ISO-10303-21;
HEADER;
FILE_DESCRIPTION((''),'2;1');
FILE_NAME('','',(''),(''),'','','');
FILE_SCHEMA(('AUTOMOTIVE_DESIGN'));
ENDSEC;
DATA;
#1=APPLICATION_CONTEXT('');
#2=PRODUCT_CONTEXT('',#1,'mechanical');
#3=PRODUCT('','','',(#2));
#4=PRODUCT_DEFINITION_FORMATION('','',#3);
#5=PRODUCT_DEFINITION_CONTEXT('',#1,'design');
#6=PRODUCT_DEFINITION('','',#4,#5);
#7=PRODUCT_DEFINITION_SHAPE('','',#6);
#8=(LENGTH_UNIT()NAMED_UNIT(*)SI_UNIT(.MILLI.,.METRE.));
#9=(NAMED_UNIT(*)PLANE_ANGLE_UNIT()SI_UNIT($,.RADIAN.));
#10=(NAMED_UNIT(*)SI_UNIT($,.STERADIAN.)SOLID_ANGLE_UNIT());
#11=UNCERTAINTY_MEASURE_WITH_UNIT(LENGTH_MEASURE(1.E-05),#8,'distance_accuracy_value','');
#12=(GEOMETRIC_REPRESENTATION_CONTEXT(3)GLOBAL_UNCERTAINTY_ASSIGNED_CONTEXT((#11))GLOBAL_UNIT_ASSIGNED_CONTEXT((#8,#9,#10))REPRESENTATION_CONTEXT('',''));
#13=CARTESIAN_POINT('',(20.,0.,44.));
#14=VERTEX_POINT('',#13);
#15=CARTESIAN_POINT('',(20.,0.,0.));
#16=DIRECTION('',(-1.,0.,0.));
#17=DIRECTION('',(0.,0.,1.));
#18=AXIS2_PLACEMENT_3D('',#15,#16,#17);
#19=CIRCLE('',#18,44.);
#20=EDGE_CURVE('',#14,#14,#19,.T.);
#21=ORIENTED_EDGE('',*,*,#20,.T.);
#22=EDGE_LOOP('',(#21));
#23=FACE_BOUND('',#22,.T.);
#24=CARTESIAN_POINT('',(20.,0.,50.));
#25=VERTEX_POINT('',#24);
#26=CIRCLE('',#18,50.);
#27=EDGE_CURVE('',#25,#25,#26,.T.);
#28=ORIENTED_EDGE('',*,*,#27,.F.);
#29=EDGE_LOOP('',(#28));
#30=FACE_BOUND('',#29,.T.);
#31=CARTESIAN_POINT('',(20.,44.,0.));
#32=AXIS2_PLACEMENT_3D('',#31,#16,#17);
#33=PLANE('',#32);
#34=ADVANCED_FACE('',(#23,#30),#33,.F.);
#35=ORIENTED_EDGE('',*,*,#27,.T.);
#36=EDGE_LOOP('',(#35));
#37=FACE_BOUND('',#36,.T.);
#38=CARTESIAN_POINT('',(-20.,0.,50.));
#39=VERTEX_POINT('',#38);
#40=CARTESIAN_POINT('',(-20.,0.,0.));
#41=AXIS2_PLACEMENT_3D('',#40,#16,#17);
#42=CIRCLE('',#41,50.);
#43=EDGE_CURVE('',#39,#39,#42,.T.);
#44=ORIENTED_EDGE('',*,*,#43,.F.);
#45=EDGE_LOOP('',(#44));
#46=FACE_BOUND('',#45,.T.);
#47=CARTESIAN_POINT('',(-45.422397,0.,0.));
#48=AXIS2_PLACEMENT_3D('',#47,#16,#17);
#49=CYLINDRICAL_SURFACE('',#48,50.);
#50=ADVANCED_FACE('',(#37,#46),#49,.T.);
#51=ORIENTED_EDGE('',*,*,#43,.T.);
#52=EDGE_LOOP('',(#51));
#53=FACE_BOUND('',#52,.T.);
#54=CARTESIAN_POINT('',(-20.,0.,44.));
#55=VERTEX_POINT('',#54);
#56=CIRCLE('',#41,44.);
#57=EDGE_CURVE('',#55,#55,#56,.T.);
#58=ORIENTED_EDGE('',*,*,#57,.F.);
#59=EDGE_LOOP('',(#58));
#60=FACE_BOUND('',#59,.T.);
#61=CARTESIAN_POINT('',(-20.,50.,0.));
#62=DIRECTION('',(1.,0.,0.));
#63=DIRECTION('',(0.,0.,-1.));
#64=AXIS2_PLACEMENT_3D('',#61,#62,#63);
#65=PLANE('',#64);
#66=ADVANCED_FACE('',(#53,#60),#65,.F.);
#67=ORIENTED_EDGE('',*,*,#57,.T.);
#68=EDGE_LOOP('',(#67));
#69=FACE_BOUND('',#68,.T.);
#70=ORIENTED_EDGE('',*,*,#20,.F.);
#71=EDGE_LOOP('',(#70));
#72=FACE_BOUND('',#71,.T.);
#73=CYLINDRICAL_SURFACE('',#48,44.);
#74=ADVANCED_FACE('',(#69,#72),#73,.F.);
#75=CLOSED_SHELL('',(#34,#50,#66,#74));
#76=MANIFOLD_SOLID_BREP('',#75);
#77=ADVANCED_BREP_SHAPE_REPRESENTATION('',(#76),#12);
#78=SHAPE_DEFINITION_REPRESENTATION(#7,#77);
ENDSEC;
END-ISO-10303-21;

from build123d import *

# Parameters (mm, degrees)
SKETCH1_W = 40
SKETCH1_H = 6


with BuildPart() as part:
    # Sketch1 → Revolve1 (revolve)
    with BuildSketch(Plane.XY, mode=Mode.PRIVATE) as revolve1_sk:
        with Locations((0, 47)):
            Rectangle(SKETCH1_W, SKETCH1_H)
    revolve(revolve1_sk.sketch.rotate(Axis((-45.422396857, 0, 0), (1, 0, 0)), 90), axis=Axis((-45.422396857, 0, 0), (1, 0, 0)))


solid = part.part
